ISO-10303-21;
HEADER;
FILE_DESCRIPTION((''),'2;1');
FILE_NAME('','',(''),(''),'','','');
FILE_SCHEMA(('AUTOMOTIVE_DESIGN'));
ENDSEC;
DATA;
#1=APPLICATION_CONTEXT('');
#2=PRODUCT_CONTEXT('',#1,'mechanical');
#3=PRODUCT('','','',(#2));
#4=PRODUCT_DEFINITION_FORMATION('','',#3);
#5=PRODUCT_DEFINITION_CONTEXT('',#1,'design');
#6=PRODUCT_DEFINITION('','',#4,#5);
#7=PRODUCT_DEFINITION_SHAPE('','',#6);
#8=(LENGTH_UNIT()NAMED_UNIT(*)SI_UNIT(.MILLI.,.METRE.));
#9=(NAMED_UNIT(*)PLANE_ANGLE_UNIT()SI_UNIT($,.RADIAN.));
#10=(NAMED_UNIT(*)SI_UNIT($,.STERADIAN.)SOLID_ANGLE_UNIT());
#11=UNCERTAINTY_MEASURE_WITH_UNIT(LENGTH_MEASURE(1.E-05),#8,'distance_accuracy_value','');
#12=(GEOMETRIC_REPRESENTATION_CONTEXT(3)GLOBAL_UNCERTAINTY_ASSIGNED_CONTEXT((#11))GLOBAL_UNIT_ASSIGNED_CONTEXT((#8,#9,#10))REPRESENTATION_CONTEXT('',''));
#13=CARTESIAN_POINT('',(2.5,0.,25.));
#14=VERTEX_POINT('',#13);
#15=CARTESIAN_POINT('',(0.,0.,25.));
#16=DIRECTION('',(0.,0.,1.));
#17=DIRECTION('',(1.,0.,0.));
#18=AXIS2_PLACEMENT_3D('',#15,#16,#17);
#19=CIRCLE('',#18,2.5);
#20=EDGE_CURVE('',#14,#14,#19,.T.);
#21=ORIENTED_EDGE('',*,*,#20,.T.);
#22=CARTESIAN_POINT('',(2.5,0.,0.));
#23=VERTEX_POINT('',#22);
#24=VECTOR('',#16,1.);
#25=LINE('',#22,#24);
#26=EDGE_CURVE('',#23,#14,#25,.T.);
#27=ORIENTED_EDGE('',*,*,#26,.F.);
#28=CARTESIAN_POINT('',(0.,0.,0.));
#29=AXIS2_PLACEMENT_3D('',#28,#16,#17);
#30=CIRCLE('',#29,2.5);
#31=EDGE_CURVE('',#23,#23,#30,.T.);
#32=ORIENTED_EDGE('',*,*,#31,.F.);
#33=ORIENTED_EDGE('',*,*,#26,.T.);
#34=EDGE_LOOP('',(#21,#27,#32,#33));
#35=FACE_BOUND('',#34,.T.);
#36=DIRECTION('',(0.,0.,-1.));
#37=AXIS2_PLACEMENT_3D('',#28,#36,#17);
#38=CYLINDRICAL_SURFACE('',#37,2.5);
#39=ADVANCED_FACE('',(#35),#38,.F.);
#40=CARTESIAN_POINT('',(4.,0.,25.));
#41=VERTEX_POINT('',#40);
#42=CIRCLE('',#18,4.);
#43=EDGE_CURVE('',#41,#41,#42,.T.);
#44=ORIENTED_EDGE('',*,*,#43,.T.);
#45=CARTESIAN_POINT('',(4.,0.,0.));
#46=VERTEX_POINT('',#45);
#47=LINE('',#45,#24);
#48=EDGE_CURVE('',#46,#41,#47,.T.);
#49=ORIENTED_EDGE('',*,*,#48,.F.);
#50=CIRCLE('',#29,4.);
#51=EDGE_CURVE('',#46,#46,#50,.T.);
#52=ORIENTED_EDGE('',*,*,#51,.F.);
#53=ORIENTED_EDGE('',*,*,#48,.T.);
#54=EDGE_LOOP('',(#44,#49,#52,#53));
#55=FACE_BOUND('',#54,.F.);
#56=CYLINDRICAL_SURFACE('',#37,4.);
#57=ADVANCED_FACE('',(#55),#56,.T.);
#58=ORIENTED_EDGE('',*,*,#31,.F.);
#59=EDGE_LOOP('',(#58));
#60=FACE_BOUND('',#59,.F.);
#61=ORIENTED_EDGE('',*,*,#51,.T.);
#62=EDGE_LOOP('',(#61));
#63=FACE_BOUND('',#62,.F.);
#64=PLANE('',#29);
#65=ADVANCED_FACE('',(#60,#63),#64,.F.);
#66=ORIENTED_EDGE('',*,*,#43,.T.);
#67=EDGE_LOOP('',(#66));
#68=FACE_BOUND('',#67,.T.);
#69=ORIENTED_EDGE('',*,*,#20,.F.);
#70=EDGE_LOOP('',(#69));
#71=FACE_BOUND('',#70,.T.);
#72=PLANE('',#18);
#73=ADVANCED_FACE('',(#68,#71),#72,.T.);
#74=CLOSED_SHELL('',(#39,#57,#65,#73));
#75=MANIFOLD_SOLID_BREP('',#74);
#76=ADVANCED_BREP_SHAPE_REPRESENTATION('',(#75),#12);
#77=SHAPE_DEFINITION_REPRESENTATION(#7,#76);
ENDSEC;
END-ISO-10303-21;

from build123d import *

# Parameters (mm, degrees)
SKETCH_R   = 4
SKETCH_R_2 = 2.5
PAD_DEPTH  = 25


with BuildPart() as part:
    # Sketch → Pad (new body)
    with BuildSketch(Plane.XY):
        Circle(SKETCH_R)
        Circle(SKETCH_R_2, mode=Mode.SUBTRACT)
    extrude(amount=PAD_DEPTH)


solid = part.part
